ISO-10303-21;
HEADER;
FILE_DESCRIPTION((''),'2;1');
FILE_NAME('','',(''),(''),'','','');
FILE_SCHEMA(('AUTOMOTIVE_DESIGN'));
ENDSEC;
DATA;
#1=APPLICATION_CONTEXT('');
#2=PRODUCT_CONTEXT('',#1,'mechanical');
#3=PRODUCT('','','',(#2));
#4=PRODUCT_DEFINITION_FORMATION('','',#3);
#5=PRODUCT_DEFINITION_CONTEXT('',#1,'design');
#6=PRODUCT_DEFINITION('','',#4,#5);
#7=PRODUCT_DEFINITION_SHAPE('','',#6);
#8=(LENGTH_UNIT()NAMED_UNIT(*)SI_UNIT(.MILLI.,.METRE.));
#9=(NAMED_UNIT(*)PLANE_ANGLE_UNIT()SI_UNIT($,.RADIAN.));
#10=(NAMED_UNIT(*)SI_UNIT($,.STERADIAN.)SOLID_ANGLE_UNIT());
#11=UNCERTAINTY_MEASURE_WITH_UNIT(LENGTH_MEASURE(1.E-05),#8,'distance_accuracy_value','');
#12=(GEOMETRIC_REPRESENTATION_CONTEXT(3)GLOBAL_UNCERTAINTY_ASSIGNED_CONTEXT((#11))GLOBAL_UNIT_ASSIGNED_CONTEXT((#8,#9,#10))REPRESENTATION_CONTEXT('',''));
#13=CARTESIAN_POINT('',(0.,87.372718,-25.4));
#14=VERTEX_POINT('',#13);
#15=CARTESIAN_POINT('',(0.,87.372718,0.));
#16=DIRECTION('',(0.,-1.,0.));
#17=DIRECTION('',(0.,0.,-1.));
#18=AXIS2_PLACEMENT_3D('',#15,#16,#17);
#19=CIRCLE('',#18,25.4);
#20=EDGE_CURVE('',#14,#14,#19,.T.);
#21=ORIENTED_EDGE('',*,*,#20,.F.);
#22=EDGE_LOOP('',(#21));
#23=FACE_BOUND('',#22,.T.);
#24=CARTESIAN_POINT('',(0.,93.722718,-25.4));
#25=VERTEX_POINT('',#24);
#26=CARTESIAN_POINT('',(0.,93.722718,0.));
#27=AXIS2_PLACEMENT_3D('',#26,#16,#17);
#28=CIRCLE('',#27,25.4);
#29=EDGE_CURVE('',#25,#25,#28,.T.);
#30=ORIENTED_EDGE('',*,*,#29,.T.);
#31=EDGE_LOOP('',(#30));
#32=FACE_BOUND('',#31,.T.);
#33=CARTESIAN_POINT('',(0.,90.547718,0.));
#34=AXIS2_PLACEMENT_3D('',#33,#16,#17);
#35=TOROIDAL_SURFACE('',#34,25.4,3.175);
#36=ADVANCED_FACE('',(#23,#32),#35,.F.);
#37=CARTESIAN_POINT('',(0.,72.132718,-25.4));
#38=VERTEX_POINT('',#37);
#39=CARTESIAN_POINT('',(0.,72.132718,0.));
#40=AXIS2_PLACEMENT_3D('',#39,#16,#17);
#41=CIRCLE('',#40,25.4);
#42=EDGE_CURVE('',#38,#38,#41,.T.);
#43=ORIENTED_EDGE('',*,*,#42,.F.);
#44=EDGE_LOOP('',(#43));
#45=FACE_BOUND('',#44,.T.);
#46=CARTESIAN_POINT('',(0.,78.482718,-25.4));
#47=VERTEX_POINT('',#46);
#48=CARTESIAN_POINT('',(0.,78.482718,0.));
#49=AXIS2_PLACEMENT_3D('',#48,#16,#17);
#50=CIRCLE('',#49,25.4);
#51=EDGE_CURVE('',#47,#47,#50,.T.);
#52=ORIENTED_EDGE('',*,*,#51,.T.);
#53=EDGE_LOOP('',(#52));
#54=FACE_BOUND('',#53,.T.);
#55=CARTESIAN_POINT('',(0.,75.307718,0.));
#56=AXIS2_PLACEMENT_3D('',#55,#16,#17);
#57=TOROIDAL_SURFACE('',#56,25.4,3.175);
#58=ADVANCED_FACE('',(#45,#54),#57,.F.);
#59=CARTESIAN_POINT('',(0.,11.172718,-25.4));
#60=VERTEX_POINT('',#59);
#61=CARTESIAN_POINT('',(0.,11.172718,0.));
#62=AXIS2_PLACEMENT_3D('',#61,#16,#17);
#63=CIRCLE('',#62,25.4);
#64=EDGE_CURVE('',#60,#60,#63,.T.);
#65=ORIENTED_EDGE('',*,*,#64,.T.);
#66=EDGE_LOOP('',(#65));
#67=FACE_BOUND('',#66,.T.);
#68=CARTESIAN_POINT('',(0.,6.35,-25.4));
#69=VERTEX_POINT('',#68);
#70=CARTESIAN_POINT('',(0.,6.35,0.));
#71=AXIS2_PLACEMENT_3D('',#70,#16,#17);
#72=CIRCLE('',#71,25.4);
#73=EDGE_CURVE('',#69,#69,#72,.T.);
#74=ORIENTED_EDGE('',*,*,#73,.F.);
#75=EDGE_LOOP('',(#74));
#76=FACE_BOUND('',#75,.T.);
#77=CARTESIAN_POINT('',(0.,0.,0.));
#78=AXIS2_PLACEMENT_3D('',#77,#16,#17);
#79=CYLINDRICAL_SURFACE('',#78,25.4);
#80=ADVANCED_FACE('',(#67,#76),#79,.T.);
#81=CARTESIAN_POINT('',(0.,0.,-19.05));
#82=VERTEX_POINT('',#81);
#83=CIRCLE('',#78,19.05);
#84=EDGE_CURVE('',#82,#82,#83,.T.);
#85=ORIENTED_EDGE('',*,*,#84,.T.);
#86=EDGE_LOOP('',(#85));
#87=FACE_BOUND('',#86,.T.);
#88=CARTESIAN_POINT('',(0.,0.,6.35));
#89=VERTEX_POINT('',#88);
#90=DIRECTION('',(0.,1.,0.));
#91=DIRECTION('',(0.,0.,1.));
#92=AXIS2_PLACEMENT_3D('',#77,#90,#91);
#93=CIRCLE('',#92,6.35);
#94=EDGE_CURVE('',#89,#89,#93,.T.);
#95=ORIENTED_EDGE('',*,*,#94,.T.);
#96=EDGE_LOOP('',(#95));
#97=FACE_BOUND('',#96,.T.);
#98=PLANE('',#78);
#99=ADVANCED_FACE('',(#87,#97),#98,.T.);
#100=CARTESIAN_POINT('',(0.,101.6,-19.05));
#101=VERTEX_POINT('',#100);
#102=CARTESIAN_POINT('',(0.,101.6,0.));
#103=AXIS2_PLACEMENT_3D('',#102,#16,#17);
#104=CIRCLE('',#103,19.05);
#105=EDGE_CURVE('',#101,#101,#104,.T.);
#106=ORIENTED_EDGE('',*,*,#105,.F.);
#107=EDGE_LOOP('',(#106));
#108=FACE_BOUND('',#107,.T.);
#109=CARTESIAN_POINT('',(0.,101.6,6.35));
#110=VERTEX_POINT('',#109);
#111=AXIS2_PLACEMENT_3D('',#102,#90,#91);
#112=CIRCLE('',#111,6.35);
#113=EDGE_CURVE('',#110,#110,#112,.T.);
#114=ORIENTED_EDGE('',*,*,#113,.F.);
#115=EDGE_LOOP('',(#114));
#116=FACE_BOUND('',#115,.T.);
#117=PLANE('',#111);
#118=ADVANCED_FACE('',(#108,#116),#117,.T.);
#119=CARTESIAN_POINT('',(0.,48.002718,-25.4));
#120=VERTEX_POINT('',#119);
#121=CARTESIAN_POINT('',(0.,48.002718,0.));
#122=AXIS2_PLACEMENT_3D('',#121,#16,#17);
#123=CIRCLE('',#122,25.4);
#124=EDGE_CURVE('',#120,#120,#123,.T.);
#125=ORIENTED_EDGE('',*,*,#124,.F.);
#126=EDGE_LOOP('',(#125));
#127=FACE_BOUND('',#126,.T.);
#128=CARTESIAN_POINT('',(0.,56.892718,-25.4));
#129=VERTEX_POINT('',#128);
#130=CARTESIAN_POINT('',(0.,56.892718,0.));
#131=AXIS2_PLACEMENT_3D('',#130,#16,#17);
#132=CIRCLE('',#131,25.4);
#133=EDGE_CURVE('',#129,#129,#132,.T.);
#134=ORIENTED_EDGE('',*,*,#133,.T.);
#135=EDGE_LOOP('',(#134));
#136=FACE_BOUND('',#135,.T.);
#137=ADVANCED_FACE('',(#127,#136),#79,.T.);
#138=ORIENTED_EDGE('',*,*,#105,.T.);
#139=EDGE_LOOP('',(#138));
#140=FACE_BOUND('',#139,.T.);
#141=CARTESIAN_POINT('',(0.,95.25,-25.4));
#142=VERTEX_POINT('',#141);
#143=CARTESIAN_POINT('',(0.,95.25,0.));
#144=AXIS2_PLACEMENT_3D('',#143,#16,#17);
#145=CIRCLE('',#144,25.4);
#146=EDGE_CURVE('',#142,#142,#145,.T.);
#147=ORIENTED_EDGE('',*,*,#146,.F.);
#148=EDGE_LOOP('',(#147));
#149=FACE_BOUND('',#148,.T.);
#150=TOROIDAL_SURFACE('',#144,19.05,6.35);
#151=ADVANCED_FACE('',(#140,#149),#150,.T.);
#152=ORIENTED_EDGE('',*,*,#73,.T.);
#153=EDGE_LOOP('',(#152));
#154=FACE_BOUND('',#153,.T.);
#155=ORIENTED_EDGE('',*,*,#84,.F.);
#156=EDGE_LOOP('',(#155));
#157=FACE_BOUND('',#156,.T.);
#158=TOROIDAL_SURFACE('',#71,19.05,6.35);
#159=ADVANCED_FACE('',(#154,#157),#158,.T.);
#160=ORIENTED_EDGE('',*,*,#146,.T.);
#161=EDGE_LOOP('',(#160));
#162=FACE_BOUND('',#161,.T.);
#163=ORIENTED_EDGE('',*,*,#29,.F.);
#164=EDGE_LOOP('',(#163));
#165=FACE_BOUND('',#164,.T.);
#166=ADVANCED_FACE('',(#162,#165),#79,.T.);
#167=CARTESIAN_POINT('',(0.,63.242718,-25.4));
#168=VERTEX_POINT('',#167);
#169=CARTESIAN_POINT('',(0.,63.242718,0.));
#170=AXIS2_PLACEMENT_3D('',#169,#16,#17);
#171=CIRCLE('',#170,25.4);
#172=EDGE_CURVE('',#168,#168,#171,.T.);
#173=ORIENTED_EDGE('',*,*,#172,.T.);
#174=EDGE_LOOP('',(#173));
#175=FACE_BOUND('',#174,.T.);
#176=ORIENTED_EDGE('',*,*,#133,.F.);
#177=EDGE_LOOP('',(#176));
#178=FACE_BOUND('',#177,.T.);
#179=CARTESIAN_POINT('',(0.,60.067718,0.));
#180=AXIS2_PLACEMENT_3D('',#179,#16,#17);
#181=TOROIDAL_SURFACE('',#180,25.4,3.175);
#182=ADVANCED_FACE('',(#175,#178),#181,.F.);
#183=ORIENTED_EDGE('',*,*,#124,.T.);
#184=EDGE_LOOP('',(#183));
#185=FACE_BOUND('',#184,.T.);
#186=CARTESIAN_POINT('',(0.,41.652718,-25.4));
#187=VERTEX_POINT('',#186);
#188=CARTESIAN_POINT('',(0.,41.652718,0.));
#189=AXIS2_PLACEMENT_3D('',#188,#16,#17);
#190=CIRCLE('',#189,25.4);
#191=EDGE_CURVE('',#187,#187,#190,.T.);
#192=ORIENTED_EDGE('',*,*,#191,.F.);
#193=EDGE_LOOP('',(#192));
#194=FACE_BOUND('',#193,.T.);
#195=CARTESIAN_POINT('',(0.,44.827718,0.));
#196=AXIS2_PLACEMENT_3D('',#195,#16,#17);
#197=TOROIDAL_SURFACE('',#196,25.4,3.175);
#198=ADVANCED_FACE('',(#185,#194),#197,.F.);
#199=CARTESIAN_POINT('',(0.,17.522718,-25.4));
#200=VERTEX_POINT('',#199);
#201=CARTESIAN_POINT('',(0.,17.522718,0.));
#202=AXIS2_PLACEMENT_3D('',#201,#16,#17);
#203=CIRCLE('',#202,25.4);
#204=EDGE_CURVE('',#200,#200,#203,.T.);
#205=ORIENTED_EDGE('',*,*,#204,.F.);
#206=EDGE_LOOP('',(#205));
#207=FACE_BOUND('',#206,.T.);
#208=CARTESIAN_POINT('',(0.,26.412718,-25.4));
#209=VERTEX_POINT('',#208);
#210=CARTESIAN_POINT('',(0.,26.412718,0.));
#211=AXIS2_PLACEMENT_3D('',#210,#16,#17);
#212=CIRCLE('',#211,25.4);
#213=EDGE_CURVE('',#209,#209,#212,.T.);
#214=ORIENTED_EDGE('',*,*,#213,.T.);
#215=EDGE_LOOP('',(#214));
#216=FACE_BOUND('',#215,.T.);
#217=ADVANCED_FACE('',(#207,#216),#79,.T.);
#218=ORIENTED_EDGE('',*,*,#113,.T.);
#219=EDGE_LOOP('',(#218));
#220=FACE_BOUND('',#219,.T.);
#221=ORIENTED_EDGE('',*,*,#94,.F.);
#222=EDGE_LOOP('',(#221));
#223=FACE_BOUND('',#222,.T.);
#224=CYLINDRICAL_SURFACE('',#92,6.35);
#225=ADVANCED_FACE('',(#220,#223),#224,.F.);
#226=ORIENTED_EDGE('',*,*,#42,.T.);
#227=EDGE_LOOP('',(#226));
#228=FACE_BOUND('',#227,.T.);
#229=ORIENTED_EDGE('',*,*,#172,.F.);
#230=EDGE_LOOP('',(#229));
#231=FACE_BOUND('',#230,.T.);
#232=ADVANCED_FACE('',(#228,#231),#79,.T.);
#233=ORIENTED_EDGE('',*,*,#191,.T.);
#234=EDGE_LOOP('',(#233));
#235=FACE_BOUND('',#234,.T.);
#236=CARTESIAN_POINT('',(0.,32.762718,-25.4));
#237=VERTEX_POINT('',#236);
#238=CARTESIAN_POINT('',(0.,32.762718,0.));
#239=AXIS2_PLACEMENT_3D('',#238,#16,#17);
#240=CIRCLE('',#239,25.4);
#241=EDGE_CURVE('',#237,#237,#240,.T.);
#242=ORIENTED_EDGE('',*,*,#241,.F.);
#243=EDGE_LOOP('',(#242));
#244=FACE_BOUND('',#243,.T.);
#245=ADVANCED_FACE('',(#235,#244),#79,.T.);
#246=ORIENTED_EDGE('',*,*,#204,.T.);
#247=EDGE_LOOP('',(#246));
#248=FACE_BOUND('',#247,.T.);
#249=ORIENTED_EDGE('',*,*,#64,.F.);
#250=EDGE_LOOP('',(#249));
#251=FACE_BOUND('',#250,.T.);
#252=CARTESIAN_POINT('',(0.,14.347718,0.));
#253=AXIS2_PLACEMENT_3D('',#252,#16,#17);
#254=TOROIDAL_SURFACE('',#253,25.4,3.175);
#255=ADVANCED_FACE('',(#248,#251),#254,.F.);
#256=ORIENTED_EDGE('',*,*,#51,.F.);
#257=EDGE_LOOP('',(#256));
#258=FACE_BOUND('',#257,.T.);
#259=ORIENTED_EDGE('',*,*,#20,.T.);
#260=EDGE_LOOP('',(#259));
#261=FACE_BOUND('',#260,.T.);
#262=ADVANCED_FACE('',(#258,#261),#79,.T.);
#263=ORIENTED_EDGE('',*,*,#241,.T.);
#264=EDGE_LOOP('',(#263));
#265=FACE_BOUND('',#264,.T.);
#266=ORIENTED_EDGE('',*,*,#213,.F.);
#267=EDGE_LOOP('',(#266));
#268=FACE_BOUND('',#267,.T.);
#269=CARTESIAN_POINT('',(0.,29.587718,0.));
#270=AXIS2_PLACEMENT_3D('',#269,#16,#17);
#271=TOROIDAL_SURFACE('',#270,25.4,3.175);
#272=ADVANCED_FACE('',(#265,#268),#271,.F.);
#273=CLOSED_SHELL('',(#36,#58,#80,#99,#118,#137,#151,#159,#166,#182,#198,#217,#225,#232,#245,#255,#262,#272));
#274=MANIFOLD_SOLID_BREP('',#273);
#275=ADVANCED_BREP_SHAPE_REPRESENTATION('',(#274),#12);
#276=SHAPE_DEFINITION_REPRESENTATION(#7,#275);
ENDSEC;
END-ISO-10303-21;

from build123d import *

# Parameters (mm, degrees)
SKETCH3_R          = 6.35
CUT_EXTRUDE1_DEPTH = 102.6


with BuildPart() as part:
    # Sketch2 → Revolve1 (revolve)
    with BuildSketch(Plane(origin=(0, 0, 0), x_dir=(0, 0, -1), z_dir=(1, 0, 0))):
        with BuildLine():
            Line((25.4, 93.722717927), (25.4, 95.25))
            ThreePointArc((25.4, 95.25), (23.540128061, 99.740128061), (19.05, 101.6))
            Line((19.05, 101.6), (0, 101.6))
            Line((0, 101.6), (0, 0))
            Line((0, 0), (19.05, 0))
            ThreePointArc((19.05, 0), (23.540128061, 1.859871939), (25.4, 6.35))
            Line((25.4, 6.35), (25.4, 11.172717927))
            ThreePointArc((25.4, 11.172717927), (22.225, 14.347717927), (25.4, 17.522717927))
            Line((25.4, 17.522717927), (25.4, 26.412717927))
            ThreePointArc((25.4, 26.412717927), (22.225, 29.587717927), (25.4, 32.762717927))
            Line((25.4, 32.762717927), (25.4, 41.652717927))
            ThreePointArc((25.4, 41.652717927), (22.225, 44.827717927), (25.4, 48.002717927))
            Line((25.4, 48.002717927), (25.4, 56.892717927))
            ThreePointArc((25.4, 56.892717927), (22.225, 60.067717927), (25.4, 63.242717927))
            Line((25.4, 63.242717927), (25.4, 72.132717927))
            ThreePointArc((25.4, 72.132717927), (22.225, 75.307717927), (25.4, 78.482717927))
            Line((25.4, 78.482717927), (25.4, 87.372717927))
            ThreePointArc((25.4, 87.372717927), (22.225, 90.547717927), (25.4, 93.722717927))
        make_face()
    revolve(axis=Axis((0, 0, 0), (0, 1, 0)))

    # Sketch3 → Cut-Extrude1 (cut, through all)
    with BuildSketch(Plane(origin=(0, 101.6, 0), x_dir=(1, 0, 0), z_dir=(0, 1, 0))):
        Circle(SKETCH3_R)
    extrude(amount=-CUT_EXTRUDE1_DEPTH, mode=Mode.SUBTRACT)


solid = part.part
